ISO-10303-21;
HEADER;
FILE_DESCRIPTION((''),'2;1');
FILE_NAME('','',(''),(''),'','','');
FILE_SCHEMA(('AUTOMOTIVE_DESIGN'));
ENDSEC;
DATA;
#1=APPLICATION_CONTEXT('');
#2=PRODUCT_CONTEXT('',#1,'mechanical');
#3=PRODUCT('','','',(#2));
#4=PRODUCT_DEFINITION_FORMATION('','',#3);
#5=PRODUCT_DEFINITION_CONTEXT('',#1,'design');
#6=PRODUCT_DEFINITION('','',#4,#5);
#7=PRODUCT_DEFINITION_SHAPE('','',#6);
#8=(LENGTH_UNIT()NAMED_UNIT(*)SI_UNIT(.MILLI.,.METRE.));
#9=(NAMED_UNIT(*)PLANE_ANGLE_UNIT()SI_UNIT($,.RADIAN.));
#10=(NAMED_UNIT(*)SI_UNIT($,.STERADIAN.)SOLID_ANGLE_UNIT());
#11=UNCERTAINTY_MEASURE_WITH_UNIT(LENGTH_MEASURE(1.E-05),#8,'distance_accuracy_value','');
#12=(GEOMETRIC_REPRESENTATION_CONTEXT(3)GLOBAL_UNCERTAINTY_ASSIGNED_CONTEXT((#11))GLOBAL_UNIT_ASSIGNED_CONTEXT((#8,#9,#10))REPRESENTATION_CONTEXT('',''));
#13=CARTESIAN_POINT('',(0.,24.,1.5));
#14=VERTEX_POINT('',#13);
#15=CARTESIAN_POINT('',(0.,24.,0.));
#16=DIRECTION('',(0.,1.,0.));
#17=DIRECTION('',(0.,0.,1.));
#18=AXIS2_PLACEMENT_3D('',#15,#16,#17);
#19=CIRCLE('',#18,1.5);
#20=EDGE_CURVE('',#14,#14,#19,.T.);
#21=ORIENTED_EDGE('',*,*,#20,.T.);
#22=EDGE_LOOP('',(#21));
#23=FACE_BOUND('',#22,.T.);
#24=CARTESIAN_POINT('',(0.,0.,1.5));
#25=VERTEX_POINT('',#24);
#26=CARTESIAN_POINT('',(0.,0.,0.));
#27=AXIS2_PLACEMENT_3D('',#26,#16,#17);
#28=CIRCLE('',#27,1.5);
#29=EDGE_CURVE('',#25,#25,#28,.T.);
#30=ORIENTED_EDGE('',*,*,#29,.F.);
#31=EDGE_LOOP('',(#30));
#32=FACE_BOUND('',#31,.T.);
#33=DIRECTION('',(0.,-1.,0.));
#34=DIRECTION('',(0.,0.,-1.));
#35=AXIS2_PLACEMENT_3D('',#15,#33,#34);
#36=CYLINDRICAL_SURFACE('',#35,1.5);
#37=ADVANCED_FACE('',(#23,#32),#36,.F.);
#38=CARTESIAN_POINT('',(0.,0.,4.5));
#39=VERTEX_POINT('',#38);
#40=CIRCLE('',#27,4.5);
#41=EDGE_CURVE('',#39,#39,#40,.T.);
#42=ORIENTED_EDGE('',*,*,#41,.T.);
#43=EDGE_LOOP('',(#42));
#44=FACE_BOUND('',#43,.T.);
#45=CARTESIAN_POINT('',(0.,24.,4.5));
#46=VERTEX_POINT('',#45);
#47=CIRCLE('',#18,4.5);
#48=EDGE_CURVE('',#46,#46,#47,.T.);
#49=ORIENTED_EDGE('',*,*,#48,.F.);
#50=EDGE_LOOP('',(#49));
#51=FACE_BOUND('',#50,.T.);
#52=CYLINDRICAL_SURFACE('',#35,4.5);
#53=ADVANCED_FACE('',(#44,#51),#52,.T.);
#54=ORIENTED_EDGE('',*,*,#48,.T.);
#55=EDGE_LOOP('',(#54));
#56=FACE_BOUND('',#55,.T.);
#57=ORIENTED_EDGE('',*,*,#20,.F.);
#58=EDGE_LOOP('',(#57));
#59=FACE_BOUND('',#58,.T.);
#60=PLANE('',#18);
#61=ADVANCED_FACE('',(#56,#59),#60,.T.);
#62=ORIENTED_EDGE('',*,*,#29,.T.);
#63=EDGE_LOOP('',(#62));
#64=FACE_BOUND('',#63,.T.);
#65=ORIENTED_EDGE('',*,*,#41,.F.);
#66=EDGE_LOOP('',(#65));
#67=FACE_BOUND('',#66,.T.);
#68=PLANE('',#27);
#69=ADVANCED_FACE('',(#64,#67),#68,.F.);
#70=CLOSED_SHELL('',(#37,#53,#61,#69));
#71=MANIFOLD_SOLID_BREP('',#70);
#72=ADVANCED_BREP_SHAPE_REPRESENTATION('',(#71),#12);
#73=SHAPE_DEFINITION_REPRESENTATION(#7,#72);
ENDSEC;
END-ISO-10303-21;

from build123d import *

# Parameters (mm, degrees)
SKETCH1_R           = 4.5
SKETCH1_R_2         = 1.5
BOSS_EXTRUDE1_DEPTH = 24


with BuildPart() as part:
    # Sketch1 → Boss-Extrude1 (new body)
    with BuildSketch(Plane(origin=(0, 0, 0), x_dir=(1, 0, 0), z_dir=(0, 1, 0))):
        with Locations(Location((0, 0, 0), (0, 0, 270))):
            Circle(SKETCH1_R)
        with Locations(Location((0, 0, 0), (0, 0, 270))):
            Circle(SKETCH1_R_2, mode=Mode.SUBTRACT)
    extrude(amount=BOSS_EXTRUDE1_DEPTH)


solid = part.part
